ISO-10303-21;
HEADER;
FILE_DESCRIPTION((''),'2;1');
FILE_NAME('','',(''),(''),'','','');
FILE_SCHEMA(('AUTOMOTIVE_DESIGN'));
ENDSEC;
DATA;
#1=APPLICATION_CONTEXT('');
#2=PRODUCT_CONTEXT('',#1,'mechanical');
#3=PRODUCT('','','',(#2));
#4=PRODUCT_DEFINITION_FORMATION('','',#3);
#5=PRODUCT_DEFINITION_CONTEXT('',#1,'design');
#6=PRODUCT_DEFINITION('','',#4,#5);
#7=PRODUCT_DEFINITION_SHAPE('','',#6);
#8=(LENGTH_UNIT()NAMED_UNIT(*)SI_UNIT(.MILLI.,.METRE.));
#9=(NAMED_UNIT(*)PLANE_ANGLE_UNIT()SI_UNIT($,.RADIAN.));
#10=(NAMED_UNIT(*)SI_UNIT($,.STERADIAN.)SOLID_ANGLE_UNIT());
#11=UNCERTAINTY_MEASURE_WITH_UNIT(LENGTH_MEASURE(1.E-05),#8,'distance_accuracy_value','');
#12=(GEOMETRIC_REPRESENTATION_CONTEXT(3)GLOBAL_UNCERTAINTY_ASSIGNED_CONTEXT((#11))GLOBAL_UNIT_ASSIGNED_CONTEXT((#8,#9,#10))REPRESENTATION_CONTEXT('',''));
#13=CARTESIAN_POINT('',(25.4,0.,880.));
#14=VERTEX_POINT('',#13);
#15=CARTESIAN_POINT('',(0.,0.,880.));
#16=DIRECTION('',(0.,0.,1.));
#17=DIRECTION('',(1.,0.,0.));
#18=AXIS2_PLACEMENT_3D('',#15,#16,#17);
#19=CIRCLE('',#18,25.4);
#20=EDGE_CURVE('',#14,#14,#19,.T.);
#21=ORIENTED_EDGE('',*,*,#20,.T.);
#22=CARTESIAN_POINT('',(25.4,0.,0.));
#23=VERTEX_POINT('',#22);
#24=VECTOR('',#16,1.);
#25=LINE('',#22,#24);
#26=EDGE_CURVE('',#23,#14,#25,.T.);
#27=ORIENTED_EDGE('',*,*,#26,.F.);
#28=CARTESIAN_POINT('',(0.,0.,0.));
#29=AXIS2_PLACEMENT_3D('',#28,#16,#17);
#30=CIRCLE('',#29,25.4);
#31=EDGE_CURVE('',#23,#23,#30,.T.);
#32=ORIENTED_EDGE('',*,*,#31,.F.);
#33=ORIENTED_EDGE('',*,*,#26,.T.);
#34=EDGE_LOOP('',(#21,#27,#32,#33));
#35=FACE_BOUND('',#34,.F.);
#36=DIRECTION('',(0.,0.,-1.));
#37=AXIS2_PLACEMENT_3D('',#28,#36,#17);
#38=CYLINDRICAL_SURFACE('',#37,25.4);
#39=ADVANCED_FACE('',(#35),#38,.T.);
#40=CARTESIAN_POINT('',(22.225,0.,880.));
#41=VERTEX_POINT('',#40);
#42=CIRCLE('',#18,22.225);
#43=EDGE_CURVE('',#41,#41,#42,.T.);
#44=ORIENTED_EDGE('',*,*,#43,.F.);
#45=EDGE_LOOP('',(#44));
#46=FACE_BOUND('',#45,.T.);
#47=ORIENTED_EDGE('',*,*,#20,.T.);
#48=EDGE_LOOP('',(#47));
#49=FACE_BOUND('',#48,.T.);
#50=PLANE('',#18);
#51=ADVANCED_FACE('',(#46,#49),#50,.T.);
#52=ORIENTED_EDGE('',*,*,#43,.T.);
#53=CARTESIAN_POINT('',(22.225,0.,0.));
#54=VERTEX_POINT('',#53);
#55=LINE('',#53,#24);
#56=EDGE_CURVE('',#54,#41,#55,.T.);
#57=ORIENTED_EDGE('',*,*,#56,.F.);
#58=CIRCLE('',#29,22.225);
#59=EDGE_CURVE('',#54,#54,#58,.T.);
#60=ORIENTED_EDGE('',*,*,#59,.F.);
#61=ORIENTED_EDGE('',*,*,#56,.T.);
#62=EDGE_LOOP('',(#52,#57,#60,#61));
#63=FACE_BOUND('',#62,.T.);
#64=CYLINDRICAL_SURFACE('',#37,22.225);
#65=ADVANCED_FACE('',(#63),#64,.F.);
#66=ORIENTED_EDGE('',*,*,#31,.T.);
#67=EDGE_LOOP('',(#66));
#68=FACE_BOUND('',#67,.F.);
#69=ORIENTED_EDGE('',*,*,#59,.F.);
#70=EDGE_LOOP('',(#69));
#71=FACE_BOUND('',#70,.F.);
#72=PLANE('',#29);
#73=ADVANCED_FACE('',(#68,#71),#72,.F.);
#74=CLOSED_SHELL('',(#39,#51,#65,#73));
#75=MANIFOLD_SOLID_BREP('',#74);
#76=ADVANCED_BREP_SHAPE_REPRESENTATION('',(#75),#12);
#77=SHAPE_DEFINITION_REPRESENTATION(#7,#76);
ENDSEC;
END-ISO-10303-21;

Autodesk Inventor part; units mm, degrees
ref_plane "YZ Plane" through (0, 0, 0) normal (1, 0, 0) x (0, 1, 0)
ref_plane "XZ Plane" through (0, 0, 0) normal (0, 1, 0) x (-1, 0, 0)
ref_plane "XY Plane" through (0, 0, 0) normal (0, 0, 1) x (1, 0, 0)
sketch "Sketch1" plane through (0, 0, 0) normal (0, 0, 1) x (1, 0, 0)
  circle A0 centre (0, 0) radius 22.225
  circle A1 centre (0, 0) radius 25.4
  dimension "d0" = 44.45
  dimension "d1" = 50.8
extrude "Extrusion1" add sketch "Sketch1" along normal blind 880
equation "\"d0\" = tube_ID"
equation "\"d1\" = tube_OD"
equation "\"tube_ID\" = 44.45"
equation "\"tube_OD\" = 50.8"
properties part number "battery_tube"
